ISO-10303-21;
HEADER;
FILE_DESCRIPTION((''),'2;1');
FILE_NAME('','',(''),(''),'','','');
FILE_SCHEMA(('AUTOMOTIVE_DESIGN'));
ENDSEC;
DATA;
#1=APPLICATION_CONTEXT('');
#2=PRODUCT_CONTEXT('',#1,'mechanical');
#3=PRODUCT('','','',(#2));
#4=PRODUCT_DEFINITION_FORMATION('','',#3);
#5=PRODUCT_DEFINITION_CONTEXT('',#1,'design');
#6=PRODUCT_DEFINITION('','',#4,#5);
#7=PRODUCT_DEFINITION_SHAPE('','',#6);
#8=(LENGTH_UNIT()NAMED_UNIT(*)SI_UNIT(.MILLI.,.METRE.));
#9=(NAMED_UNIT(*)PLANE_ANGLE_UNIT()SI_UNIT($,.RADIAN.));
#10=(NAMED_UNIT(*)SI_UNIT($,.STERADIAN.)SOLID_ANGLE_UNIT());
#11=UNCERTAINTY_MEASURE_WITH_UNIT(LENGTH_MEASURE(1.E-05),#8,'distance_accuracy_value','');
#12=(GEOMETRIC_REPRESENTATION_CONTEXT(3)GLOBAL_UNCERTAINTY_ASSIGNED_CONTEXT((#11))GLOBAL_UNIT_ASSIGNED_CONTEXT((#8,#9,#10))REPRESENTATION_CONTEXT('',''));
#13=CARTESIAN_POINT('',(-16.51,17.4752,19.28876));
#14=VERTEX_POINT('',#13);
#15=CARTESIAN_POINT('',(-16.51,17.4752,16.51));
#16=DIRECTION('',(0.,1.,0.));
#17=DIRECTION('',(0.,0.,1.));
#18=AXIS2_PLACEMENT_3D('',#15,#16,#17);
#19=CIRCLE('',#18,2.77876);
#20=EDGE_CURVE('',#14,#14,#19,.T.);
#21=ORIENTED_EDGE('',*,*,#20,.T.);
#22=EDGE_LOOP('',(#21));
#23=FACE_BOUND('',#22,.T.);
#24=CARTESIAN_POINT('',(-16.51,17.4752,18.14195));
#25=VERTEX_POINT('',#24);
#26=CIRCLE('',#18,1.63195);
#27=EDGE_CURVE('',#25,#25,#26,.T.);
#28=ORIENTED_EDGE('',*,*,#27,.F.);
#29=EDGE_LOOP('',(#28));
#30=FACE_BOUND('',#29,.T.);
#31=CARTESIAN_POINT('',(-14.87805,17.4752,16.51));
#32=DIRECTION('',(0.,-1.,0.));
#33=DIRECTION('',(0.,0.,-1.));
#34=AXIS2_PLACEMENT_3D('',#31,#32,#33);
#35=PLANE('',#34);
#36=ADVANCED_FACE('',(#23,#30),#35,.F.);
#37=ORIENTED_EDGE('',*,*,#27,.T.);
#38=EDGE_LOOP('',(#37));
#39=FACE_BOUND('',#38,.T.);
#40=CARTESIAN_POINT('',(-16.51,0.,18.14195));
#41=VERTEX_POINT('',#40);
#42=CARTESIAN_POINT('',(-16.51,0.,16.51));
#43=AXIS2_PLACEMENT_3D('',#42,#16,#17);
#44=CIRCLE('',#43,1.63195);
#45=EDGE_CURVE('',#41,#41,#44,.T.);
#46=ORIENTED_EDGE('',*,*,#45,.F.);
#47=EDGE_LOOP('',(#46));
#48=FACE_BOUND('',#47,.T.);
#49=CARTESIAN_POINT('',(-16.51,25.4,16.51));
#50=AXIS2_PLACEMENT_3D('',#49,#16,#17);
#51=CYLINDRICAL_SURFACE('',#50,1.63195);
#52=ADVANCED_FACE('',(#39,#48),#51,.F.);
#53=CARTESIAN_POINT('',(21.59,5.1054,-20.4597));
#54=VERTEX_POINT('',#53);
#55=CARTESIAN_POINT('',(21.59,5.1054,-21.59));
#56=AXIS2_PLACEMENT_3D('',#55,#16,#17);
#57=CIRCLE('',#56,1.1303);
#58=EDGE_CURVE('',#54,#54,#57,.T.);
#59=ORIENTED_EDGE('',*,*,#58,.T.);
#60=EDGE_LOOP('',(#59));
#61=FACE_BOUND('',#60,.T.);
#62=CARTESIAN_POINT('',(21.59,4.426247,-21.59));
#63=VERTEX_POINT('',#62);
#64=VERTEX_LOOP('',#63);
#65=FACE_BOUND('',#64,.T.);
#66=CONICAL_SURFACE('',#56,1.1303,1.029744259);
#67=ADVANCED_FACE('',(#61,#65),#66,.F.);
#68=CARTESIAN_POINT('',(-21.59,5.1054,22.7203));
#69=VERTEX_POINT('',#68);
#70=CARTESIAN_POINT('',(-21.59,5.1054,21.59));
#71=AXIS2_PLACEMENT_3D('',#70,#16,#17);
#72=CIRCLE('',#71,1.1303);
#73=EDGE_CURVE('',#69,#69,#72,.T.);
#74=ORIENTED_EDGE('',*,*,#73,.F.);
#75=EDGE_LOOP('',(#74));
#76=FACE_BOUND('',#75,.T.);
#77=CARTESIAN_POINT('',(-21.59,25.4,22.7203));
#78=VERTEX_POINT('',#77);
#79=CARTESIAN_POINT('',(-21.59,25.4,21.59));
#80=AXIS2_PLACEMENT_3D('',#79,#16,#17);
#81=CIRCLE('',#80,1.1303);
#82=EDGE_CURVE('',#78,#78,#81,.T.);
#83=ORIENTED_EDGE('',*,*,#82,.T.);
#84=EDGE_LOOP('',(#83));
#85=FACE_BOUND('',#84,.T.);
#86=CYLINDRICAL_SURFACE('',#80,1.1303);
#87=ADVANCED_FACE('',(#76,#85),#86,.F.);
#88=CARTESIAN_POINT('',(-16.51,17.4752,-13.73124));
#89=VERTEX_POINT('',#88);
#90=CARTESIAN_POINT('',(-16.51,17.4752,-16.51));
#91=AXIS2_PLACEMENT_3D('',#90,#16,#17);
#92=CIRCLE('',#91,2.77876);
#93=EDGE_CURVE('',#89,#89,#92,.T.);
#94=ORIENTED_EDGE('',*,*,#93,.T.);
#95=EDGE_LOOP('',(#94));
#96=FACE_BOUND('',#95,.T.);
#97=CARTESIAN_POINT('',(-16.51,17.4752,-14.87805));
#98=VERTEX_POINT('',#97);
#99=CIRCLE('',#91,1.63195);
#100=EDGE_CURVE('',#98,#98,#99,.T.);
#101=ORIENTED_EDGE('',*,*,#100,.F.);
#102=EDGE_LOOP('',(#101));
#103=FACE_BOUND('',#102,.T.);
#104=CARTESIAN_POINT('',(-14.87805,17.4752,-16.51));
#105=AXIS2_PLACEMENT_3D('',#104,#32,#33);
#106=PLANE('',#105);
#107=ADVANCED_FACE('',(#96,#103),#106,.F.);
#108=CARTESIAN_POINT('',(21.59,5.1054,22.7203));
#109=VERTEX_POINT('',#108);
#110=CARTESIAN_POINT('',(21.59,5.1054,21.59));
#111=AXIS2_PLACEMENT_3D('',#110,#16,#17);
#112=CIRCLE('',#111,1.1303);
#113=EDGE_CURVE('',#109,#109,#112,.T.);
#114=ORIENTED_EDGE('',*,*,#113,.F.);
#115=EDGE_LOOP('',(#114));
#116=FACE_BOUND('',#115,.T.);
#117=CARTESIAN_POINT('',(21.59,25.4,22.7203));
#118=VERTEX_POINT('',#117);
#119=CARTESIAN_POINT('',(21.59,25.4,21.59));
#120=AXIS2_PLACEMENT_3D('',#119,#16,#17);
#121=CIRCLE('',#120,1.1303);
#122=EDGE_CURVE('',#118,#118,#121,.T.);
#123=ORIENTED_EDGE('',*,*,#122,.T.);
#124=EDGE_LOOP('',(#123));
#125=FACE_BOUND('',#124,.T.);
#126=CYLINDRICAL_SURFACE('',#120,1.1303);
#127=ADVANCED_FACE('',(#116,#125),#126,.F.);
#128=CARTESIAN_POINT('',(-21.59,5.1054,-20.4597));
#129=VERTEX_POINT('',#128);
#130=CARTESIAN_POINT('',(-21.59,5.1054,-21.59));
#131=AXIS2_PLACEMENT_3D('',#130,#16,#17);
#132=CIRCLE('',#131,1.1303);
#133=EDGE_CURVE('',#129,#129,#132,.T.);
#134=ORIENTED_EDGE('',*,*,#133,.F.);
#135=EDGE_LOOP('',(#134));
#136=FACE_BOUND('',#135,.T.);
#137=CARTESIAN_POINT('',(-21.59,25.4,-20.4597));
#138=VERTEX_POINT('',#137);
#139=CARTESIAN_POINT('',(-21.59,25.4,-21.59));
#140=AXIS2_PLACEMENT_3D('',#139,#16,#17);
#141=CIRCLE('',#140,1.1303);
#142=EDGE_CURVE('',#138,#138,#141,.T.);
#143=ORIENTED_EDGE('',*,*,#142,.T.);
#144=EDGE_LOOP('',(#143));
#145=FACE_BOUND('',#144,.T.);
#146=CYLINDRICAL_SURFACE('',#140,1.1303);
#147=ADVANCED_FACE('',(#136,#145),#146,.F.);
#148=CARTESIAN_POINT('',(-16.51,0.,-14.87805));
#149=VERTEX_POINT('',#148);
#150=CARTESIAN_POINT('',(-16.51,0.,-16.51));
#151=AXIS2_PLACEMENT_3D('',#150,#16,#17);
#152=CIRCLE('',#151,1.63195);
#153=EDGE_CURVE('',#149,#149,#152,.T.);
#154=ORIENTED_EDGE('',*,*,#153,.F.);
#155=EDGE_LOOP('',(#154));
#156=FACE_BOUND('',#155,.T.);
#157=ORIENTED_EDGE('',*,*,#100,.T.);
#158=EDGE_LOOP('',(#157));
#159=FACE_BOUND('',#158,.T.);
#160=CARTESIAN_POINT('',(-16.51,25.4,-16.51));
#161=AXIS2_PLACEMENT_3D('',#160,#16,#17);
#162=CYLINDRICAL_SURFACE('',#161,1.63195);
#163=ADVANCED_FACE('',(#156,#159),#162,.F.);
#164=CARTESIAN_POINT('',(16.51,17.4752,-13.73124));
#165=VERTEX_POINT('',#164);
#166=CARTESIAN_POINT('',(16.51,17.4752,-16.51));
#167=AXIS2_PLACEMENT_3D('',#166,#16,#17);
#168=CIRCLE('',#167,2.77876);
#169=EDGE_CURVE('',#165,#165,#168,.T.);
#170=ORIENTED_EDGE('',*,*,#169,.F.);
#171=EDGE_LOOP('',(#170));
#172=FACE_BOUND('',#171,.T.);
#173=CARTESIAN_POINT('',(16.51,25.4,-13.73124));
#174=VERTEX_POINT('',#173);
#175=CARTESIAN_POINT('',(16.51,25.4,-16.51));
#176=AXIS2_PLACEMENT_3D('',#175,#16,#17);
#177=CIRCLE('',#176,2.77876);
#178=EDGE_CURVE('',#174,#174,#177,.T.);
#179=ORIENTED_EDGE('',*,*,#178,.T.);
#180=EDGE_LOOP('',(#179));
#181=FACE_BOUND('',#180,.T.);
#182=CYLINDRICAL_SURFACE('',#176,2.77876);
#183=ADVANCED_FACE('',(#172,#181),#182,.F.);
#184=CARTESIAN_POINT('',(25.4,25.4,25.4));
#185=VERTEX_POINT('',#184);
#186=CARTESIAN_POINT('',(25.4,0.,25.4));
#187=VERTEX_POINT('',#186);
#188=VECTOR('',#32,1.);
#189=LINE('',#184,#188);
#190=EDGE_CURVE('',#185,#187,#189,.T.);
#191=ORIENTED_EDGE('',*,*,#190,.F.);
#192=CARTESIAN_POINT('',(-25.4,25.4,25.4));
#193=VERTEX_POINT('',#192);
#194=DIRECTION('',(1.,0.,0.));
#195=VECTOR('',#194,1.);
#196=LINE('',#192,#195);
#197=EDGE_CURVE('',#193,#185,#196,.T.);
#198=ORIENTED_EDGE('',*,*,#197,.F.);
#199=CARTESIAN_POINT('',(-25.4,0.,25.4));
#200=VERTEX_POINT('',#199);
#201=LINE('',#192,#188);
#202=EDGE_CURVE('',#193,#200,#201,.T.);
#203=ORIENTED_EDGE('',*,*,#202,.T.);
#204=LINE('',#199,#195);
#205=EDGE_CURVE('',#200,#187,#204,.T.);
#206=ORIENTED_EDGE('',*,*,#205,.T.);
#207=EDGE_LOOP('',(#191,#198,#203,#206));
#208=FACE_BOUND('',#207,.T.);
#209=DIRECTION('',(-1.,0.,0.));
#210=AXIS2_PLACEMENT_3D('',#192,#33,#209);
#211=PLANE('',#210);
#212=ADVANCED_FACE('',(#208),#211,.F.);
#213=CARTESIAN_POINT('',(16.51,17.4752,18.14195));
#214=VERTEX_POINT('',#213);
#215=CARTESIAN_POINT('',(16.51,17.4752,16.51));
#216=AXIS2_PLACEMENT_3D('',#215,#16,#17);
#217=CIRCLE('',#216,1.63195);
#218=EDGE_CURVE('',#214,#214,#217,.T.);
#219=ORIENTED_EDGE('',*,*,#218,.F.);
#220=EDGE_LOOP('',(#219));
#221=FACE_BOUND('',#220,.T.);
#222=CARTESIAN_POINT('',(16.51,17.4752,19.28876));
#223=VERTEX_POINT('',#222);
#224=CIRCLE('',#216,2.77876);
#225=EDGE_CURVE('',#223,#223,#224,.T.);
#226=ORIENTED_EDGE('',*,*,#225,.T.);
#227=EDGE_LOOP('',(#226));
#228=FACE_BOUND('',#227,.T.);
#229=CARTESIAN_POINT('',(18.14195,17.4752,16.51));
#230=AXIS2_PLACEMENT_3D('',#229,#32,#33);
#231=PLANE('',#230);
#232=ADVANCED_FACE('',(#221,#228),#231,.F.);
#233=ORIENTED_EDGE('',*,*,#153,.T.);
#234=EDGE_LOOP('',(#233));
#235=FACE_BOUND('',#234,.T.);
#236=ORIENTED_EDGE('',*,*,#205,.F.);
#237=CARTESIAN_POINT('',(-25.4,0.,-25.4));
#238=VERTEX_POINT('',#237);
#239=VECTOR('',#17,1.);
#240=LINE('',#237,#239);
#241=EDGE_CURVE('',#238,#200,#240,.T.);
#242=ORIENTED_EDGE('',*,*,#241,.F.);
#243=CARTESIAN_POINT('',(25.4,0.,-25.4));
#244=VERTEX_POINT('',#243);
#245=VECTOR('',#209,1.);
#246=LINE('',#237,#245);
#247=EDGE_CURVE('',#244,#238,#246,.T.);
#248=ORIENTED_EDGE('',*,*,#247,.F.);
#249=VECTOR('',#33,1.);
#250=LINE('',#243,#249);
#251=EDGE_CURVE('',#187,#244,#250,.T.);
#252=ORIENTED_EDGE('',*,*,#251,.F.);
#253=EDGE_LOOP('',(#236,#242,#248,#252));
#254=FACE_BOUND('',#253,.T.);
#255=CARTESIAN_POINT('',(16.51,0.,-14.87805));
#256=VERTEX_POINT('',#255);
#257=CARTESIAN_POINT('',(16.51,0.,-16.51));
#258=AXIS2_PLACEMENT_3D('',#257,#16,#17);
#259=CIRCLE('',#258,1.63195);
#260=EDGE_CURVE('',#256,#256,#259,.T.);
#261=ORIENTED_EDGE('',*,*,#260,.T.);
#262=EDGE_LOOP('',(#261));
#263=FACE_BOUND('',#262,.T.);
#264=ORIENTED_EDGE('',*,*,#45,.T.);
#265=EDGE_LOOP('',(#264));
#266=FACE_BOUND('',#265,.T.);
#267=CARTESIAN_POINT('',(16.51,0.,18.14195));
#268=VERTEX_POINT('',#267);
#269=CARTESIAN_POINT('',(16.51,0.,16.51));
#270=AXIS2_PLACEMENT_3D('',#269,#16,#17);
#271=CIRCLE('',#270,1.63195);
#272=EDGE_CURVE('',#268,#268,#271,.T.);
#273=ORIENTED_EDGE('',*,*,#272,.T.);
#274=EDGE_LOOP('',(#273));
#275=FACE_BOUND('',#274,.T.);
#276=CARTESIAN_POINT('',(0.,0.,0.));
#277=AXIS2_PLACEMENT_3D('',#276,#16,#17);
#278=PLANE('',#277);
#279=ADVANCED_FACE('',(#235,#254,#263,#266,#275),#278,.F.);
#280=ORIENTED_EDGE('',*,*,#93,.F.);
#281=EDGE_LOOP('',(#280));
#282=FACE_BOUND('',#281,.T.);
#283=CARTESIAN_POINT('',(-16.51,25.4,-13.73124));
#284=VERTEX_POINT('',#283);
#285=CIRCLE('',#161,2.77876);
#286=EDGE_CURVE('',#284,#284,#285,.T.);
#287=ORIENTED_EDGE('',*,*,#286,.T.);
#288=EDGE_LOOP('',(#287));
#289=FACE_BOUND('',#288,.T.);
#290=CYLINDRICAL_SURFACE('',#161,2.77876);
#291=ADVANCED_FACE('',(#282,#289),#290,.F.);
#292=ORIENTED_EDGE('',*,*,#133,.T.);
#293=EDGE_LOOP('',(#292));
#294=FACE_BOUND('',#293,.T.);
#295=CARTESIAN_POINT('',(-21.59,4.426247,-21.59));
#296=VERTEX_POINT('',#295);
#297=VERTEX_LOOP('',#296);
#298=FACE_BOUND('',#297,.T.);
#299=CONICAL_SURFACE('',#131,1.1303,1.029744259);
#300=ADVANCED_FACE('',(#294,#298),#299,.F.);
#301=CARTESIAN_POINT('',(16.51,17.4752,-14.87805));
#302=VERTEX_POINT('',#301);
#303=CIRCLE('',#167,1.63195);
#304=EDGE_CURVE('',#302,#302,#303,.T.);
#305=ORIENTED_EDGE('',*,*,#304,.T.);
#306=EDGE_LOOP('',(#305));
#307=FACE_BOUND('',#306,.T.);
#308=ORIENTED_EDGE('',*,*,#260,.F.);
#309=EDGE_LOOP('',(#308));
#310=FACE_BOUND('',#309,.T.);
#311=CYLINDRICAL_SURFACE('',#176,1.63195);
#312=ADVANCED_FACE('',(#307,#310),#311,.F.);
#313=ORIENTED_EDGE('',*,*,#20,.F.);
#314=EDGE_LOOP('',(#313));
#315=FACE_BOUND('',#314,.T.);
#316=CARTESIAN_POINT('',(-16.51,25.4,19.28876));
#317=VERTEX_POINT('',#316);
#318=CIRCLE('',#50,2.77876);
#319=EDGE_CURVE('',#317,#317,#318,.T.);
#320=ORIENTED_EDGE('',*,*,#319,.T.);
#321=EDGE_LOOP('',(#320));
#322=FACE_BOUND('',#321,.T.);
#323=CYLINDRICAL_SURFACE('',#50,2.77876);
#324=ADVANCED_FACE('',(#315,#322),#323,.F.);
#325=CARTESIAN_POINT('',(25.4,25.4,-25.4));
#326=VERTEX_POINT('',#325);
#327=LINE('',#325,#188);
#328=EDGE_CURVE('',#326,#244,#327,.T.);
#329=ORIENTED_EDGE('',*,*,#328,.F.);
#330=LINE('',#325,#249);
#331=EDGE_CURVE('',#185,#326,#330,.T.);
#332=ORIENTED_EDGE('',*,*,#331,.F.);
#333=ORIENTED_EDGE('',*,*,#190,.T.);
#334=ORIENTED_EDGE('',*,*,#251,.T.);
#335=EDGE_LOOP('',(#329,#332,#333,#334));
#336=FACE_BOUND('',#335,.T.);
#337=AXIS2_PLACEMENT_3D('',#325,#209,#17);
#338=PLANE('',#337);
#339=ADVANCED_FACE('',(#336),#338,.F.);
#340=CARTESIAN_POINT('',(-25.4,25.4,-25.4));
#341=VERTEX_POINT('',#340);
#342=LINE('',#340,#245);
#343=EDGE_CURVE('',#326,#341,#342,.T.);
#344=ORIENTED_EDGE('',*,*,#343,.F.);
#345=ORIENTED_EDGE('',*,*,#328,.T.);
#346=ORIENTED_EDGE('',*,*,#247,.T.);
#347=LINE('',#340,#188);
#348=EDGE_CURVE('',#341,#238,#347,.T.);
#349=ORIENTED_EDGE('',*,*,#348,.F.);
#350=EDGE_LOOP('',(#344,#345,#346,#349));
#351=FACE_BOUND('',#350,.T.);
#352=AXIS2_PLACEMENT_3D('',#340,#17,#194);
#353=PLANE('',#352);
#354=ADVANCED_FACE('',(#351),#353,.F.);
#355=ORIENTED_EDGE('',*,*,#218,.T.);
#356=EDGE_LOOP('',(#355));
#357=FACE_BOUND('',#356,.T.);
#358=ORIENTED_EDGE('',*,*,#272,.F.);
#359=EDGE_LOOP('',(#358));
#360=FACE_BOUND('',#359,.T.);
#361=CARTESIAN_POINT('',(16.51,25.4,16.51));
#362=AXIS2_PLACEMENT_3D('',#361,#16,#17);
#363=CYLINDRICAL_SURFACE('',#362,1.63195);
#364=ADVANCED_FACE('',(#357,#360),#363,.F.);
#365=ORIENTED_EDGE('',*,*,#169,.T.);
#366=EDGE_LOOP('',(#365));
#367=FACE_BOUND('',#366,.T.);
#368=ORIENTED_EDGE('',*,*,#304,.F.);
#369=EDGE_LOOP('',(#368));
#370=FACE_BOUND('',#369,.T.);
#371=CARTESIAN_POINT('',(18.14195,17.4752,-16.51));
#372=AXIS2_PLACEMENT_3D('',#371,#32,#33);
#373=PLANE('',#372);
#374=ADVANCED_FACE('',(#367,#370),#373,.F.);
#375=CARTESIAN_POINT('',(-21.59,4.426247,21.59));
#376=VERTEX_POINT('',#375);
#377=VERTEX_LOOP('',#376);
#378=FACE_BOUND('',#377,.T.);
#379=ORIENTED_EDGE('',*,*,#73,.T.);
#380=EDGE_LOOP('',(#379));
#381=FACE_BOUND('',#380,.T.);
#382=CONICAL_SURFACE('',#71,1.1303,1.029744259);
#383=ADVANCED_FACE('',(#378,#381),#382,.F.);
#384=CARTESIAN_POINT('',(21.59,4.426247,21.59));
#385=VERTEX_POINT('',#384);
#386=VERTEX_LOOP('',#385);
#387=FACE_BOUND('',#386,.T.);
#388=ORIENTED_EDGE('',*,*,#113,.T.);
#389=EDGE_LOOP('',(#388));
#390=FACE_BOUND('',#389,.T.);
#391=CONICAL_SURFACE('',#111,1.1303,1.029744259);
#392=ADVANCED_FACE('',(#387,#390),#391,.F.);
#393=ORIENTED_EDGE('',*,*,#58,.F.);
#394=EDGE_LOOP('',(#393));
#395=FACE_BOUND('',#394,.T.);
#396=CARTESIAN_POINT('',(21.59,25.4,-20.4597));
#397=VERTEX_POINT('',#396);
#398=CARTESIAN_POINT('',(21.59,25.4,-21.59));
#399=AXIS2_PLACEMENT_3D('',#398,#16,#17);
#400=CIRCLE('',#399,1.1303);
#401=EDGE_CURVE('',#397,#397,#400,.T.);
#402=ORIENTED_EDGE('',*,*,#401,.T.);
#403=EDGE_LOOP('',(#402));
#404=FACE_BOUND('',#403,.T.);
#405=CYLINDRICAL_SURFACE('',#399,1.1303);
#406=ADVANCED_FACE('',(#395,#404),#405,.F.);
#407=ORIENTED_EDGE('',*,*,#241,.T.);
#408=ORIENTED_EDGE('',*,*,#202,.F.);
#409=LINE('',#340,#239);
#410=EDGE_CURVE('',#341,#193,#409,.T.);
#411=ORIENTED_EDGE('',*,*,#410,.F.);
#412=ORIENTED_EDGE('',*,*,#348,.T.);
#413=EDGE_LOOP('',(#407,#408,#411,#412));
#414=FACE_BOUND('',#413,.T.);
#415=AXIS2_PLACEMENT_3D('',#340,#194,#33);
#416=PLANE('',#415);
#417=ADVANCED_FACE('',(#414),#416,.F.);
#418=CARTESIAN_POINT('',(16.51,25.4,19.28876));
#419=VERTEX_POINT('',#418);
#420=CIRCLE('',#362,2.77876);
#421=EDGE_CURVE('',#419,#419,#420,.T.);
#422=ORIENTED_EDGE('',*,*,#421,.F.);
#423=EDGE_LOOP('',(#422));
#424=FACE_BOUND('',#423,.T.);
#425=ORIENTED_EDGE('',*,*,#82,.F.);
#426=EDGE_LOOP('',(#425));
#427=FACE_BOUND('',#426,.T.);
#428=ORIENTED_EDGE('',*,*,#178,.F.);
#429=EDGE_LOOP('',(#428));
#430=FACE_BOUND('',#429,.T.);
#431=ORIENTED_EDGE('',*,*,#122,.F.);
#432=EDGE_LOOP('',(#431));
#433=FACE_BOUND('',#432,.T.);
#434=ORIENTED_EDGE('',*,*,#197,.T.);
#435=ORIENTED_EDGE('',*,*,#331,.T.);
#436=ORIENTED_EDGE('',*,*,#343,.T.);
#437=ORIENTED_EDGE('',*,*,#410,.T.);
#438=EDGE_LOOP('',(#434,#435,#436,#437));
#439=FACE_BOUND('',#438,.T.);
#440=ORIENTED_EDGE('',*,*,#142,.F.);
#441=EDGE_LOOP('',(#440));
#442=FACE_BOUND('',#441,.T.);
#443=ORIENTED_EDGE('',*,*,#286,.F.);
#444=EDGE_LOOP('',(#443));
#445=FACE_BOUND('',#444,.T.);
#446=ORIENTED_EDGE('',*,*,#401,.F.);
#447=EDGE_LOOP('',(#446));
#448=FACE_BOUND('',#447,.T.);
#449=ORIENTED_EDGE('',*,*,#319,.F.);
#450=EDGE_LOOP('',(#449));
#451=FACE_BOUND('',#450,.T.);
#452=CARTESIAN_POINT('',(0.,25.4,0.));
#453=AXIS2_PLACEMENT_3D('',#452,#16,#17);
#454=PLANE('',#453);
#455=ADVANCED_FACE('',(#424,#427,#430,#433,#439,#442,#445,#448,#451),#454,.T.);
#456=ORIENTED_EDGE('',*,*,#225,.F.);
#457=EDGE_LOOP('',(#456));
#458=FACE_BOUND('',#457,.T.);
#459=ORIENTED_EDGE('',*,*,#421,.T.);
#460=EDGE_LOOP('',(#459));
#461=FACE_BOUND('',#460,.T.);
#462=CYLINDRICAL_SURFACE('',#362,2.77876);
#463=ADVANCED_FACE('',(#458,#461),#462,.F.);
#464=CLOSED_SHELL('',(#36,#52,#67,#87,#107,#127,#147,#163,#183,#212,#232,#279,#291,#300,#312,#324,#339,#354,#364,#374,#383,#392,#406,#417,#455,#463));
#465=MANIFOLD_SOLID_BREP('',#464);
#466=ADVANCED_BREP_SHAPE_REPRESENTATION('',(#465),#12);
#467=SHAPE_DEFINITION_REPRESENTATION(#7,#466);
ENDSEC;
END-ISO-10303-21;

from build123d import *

# Parameters (mm, degrees)
SKETCH1_W                                      = 50.8
SKETCH1_H                                      = 50.8
BOSS_EXTRUDE1_DEPTH                            = 25.4
F_4_40_TAPPED_HOLE1_D                          = 2.2606
F_4_40_TAPPED_HOLE1_DEPTH                      = 20.2946
F_4_40_TAPPED_HOLE1_TIP                        = 0.679152758
CBORE_FOR_4_SOCKET_HEAD_CAP_SCREW1_D           = 3.2639
CBORE_FOR_4_SOCKET_HEAD_CAP_SCREW1_CBORE_D     = 5.55752
CBORE_FOR_4_SOCKET_HEAD_CAP_SCREW1_CBORE_DEPTH = 7.9248


with BuildPart() as part:
    # Sketch1 → Boss-Extrude1 (new body)
    with BuildSketch(Plane(origin=(0, 0, 0), x_dir=(1, 0, 0), z_dir=(0, 1, 0))):
        Rectangle(SKETCH1_W, SKETCH1_H)
    extrude(amount=BOSS_EXTRUDE1_DEPTH)

    # #4-40 Tapped Hole1
    with Locations(Plane(origin=(0, 25.4, 0), x_dir=(1, 0, 0), z_dir=(0, 1, 0))):
        with Locations((-21.59, 21.59), (21.59, 21.59), (21.59, -21.59), (-21.59, -21.59)):
            Hole(F_4_40_TAPPED_HOLE1_D / 2, depth=F_4_40_TAPPED_HOLE1_DEPTH)
            with Locations((0, 0, -(F_4_40_TAPPED_HOLE1_DEPTH + F_4_40_TAPPED_HOLE1_TIP / 2))):  # 118° drill point
                Cone(0, F_4_40_TAPPED_HOLE1_D / 2, F_4_40_TAPPED_HOLE1_TIP, mode=Mode.SUBTRACT)

    # CBORE for #4 Socket Head Cap Screw1 (through all)
    with Locations(Plane(origin=(0, 25.4, 0), x_dir=(1, 0, 0), z_dir=(0, 1, 0))):
        with Locations((-16.51, 16.51), (16.51, 16.51), (16.51, -16.51), (-16.51, -16.51)):
            CounterBoreHole(CBORE_FOR_4_SOCKET_HEAD_CAP_SCREW1_D / 2, CBORE_FOR_4_SOCKET_HEAD_CAP_SCREW1_CBORE_D / 2, CBORE_FOR_4_SOCKET_HEAD_CAP_SCREW1_CBORE_DEPTH)


solid = part.part
